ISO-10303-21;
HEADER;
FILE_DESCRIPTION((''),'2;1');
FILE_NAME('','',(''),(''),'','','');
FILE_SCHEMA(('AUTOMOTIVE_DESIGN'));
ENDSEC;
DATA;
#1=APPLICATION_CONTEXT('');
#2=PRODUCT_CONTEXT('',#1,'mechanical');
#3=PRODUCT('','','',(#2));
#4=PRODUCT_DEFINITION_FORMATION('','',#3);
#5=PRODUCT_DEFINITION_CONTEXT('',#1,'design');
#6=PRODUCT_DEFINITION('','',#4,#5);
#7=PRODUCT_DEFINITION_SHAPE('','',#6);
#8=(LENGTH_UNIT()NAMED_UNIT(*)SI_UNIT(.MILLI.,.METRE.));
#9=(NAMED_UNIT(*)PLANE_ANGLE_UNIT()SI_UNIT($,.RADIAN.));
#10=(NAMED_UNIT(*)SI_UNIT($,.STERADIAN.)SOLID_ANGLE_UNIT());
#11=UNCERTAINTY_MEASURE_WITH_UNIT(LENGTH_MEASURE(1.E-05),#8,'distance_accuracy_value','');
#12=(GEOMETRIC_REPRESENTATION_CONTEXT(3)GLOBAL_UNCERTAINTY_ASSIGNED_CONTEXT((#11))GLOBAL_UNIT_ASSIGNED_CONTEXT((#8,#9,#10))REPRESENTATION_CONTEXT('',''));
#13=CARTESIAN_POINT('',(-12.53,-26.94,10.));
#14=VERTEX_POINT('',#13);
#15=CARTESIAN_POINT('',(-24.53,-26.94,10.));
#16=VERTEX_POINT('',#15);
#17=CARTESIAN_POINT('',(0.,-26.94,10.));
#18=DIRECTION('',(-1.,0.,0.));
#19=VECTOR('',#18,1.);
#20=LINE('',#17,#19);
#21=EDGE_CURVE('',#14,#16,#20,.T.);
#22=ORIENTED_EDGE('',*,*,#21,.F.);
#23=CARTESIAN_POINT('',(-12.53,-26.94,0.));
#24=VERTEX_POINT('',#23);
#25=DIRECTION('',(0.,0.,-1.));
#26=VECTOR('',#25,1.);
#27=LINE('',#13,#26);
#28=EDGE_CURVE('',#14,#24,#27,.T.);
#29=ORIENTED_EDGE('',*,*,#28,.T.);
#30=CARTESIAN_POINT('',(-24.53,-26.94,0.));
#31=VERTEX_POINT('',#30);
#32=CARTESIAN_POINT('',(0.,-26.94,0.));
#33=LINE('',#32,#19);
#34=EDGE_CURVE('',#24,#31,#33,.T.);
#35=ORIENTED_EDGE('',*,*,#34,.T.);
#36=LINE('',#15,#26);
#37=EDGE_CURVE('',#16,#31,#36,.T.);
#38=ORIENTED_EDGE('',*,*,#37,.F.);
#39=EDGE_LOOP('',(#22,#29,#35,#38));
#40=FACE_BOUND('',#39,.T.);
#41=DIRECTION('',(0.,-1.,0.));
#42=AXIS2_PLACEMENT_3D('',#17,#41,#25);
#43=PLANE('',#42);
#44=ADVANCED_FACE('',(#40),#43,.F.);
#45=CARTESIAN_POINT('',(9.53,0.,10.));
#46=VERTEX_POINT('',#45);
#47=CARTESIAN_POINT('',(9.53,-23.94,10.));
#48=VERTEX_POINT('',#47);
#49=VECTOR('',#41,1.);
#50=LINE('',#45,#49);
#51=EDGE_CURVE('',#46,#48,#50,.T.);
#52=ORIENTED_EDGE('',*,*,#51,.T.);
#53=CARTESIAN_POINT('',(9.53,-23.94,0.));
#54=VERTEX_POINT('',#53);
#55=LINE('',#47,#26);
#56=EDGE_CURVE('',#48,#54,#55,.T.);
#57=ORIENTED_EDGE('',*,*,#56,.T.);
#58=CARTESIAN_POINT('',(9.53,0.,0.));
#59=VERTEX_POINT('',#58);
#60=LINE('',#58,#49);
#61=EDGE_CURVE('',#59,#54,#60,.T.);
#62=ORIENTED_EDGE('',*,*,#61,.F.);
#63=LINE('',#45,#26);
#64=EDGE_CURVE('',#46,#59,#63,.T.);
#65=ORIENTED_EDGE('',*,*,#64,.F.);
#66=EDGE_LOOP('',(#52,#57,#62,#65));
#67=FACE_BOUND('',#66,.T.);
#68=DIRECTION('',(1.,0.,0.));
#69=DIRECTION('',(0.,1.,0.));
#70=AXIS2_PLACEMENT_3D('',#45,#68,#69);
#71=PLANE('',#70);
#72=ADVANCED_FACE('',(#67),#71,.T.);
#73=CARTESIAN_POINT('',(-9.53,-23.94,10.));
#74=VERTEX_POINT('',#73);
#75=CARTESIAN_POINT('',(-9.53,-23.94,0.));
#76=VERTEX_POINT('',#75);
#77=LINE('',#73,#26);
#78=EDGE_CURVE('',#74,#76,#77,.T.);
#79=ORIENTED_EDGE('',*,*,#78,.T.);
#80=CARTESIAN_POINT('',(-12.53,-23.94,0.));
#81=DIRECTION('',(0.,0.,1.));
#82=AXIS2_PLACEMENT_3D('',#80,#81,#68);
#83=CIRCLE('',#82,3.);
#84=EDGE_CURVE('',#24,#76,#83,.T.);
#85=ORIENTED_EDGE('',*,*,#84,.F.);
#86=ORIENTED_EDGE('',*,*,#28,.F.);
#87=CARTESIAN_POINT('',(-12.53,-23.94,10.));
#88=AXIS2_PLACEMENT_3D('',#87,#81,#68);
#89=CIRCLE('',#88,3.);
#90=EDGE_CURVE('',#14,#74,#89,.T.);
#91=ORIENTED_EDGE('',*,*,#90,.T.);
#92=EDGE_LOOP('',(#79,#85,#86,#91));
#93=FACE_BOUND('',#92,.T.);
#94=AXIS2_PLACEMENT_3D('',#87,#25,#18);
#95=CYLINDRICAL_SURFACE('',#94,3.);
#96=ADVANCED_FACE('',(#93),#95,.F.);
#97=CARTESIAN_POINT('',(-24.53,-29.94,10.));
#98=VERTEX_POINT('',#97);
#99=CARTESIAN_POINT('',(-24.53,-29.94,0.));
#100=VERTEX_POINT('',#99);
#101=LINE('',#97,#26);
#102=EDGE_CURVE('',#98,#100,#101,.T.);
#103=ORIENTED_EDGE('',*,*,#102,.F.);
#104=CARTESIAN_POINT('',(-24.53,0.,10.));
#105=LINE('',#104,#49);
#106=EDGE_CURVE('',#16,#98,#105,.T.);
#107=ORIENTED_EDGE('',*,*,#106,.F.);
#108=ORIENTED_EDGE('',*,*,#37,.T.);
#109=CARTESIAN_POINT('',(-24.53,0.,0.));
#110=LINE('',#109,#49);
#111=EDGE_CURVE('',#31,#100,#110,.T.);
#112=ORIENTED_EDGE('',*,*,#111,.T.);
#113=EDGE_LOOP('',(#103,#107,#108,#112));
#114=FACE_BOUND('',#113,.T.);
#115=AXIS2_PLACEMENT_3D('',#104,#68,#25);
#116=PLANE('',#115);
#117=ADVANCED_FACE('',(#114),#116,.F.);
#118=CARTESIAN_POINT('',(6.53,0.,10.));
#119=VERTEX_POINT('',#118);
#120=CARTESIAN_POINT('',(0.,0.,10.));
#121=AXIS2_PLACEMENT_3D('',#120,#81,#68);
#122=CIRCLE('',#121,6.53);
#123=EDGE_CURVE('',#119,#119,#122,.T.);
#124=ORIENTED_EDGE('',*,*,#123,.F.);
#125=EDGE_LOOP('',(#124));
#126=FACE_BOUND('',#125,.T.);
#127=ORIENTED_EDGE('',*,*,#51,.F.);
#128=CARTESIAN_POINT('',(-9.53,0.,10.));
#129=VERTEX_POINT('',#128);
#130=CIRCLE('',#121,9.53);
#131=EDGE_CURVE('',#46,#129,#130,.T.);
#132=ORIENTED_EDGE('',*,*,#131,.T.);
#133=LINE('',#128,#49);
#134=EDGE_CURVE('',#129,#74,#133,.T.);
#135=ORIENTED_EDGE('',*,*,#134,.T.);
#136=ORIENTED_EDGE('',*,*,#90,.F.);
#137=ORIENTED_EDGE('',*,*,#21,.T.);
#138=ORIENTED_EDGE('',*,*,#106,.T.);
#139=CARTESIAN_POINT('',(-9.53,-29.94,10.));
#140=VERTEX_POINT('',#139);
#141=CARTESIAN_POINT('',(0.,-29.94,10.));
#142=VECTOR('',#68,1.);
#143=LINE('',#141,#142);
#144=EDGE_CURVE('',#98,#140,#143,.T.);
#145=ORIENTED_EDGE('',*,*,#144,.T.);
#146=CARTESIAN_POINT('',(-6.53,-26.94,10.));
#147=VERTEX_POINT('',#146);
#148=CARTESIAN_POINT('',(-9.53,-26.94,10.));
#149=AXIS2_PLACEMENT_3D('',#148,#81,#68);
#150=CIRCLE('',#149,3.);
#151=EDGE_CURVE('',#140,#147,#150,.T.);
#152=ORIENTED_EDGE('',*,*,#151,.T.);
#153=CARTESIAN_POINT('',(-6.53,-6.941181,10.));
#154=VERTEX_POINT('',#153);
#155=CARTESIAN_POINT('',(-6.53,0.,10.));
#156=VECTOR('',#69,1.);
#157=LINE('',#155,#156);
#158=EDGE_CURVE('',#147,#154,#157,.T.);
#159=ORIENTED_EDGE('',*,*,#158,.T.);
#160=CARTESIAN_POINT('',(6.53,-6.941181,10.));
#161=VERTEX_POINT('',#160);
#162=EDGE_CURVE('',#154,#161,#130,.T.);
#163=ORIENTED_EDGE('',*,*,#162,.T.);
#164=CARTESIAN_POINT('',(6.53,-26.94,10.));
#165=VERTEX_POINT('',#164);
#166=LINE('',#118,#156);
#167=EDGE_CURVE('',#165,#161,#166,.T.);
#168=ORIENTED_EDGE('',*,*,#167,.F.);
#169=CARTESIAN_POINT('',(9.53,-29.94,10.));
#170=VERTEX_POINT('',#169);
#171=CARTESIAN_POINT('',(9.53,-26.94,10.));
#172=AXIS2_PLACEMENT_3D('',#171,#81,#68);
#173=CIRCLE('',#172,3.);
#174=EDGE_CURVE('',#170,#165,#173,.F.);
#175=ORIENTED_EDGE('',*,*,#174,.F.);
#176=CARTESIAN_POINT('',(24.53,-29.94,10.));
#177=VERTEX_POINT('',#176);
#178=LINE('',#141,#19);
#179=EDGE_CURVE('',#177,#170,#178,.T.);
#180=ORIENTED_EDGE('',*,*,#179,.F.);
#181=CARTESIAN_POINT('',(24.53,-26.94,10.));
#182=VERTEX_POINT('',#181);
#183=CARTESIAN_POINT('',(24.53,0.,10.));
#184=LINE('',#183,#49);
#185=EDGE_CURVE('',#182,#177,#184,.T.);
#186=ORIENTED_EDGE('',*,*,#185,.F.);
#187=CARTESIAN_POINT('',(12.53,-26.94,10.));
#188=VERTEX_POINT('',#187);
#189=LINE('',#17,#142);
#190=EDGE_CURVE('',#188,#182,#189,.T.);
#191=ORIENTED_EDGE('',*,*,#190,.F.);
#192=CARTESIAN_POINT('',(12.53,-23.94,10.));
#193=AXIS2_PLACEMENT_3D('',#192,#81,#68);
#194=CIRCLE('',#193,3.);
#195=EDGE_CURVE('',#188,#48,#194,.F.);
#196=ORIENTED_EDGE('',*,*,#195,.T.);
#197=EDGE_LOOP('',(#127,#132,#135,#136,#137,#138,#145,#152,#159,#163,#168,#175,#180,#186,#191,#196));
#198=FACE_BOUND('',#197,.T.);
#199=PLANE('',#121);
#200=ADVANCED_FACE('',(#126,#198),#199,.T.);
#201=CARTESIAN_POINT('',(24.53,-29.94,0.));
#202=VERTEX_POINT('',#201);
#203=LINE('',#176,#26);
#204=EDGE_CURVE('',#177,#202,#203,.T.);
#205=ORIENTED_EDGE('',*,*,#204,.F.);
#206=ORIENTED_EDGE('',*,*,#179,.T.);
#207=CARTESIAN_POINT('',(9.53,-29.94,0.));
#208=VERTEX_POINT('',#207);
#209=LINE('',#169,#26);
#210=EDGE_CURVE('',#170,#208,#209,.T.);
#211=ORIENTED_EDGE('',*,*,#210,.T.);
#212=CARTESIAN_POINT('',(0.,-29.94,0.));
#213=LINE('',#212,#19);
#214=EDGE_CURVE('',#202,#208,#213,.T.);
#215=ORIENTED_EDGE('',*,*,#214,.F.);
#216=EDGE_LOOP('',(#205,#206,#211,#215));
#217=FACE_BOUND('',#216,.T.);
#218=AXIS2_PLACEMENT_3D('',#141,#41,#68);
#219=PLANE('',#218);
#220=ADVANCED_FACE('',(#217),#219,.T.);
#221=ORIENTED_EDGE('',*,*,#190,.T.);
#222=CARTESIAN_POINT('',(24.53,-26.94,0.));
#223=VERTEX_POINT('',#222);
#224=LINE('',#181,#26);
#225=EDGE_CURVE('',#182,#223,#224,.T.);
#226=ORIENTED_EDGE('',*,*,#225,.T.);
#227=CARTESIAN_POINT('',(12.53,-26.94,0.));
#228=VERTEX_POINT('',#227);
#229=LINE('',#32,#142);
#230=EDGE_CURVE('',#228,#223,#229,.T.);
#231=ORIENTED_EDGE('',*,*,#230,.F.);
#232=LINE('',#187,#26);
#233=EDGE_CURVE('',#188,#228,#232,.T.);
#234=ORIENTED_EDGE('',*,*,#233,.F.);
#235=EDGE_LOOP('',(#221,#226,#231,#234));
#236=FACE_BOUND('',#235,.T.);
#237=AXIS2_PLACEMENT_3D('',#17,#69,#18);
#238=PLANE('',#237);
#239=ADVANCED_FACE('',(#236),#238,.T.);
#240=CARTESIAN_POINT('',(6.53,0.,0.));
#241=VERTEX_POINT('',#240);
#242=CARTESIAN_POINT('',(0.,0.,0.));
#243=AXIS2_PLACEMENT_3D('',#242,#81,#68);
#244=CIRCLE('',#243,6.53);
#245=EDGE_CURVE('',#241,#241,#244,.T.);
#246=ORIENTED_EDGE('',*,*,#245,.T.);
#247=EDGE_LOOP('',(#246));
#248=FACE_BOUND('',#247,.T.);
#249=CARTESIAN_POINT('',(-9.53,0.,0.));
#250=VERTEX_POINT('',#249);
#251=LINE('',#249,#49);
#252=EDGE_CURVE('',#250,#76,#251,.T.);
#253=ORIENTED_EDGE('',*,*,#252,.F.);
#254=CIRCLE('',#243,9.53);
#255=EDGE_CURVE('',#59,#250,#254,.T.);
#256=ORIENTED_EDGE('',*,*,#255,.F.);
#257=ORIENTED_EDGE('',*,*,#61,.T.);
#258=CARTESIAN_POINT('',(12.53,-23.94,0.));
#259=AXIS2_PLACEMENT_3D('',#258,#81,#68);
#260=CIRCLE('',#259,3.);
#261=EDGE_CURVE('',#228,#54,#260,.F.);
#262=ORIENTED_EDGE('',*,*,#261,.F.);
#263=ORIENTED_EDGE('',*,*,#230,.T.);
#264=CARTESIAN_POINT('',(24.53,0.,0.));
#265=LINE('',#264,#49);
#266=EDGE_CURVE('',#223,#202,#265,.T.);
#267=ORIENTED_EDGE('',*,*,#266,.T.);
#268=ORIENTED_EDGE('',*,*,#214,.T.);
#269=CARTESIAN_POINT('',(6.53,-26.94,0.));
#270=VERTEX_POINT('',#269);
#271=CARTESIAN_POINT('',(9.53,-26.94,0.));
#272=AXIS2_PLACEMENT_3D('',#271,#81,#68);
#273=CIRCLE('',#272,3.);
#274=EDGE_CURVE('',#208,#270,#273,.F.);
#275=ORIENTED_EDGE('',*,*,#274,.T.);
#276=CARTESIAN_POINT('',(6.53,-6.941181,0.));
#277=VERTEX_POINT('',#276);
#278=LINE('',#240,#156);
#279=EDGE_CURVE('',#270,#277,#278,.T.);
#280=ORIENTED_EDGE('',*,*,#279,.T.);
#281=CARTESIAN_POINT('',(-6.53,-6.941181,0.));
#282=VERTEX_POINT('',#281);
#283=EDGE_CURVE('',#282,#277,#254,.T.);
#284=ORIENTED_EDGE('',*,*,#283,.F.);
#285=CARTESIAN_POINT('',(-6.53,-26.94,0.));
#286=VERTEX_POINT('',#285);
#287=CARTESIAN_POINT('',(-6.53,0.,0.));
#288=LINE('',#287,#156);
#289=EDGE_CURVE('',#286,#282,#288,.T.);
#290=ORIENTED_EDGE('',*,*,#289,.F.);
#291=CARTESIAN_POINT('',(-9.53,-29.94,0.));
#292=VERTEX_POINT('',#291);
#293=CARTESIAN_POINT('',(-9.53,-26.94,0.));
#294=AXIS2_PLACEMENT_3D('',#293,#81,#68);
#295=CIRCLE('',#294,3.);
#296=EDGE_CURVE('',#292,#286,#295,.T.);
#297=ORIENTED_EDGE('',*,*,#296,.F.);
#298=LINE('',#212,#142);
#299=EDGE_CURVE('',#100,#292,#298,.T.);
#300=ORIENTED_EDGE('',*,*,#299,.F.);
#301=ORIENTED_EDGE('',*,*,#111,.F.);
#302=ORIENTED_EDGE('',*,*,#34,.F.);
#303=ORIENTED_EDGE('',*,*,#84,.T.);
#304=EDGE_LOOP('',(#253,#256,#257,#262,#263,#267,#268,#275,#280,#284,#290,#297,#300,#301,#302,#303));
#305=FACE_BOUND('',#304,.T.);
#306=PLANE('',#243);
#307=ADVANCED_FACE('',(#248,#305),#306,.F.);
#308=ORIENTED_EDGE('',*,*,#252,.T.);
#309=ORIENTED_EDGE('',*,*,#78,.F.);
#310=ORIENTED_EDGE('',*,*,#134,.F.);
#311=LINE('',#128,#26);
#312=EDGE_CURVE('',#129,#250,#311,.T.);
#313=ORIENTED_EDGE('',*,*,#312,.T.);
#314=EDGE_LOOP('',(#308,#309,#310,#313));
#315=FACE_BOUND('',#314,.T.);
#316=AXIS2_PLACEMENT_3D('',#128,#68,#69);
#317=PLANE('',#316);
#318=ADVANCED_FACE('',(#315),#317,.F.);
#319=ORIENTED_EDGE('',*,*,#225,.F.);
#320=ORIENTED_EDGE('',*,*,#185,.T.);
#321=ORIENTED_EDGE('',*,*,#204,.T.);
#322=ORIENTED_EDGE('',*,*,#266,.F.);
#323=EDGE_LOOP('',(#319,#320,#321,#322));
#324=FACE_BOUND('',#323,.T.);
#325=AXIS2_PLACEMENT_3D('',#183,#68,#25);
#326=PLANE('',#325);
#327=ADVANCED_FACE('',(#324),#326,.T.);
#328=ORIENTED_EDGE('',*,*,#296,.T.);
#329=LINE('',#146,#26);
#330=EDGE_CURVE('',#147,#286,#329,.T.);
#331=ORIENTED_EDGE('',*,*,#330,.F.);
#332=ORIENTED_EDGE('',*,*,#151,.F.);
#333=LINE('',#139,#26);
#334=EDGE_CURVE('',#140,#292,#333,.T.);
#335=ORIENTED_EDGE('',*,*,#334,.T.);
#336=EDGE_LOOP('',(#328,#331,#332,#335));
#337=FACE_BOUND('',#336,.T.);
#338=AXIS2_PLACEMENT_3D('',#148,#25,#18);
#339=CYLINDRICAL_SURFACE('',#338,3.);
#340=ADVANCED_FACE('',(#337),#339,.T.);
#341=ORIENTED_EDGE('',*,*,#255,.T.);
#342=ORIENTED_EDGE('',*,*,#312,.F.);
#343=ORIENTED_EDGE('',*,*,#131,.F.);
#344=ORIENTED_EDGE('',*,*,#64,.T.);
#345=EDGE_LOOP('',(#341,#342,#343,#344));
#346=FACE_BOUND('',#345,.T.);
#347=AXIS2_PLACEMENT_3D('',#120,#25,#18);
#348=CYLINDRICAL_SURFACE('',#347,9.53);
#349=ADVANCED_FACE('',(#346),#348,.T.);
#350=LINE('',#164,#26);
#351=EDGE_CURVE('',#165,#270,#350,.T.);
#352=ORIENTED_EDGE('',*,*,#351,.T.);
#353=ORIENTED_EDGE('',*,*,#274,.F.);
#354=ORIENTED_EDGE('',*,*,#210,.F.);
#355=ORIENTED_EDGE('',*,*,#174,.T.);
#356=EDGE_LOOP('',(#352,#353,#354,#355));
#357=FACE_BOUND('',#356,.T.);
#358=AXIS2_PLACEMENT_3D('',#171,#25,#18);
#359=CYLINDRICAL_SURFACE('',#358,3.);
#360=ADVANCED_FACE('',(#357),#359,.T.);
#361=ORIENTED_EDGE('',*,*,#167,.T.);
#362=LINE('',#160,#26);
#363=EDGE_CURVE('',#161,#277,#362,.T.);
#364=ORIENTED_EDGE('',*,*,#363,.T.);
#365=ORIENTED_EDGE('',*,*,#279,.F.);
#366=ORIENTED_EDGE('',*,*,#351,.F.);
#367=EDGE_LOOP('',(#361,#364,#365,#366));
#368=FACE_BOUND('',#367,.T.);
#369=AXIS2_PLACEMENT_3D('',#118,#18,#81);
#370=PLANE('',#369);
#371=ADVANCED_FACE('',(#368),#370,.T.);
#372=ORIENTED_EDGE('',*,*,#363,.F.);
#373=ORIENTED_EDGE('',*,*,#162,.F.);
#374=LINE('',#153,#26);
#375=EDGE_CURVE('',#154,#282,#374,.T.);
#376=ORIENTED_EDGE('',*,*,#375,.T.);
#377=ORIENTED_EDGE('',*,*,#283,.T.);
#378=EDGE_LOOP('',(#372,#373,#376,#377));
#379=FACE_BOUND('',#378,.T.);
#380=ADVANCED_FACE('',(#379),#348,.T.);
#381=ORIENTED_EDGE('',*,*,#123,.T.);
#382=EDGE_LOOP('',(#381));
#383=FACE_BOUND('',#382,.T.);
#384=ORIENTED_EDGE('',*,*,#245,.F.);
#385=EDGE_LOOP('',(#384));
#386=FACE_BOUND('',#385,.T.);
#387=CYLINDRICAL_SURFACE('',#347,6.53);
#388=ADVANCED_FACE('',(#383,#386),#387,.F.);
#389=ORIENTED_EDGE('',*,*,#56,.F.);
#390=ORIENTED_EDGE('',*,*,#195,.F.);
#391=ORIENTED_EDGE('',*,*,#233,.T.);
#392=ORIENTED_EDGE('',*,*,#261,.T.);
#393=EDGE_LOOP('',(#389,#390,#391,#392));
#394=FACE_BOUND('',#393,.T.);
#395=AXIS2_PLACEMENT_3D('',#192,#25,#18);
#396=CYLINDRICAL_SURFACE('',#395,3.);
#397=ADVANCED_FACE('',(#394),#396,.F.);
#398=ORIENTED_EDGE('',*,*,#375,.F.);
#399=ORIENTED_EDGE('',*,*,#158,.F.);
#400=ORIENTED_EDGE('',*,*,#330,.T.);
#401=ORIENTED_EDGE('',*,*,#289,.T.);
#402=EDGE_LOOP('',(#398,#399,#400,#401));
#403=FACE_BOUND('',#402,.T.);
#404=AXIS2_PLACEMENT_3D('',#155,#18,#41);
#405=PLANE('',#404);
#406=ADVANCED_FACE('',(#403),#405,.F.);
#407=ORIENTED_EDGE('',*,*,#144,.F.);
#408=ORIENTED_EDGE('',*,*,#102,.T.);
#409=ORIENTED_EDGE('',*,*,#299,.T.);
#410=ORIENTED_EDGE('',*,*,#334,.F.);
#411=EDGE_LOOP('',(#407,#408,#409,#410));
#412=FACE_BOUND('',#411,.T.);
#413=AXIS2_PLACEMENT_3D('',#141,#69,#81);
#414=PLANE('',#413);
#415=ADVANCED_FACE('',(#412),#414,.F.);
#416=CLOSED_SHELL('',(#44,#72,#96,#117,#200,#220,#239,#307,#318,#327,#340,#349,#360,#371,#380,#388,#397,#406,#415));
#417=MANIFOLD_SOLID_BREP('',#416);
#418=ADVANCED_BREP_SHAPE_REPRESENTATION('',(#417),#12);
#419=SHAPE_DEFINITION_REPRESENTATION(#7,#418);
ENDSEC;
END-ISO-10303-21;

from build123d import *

# Parameters (mm, degrees)
SKETCH1_R           = 6.53
BOSS_EXTRUDE1_DEPTH = 10


with BuildPart() as part:
    # Sketch1 → Boss-Extrude1 (new body)
    with BuildSketch(Plane.XY):
        with BuildLine():
            Line((6.53, -6.941181456), (6.53, -26.94))
            ThreePointArc((6.53, -26.94), (7.408679656, -29.061320344), (9.53, -29.94))
            Line((9.53, -29.94), (24.53, -29.94))
            Line((24.53, -29.94), (24.53, -26.94))
            Line((24.53, -26.94), (12.53, -26.94))
            ThreePointArc((12.53, -26.94), (10.408679656, -26.061320344), (9.53, -23.94))
            Line((9.53, -23.94), (9.53, 0))
            ThreePointArc((9.53, 0), (0, 9.53), (-9.53, 0))
            Line((-9.53, 0), (-9.53, -23.94))
            ThreePointArc((-9.53, -23.94), (-10.408679656, -26.061320344), (-12.53, -26.94))
            Line((-12.53, -26.94), (-24.53, -26.94))
            Line((-24.53, -26.94), (-24.53, -29.94))
            Line((-24.53, -29.94), (-9.53, -29.94))
            ThreePointArc((-9.53, -29.94), (-7.408679656, -29.061320344), (-6.53, -26.94))
            Line((-6.53, -26.94), (-6.53, -6.941181456))
            ThreePointArc((-6.53, -6.941181456), (0, -9.53), (6.53, -6.941181456))
        make_face()
        Circle(SKETCH1_R, mode=Mode.SUBTRACT)
    extrude(amount=BOSS_EXTRUDE1_DEPTH)


solid = part.part
